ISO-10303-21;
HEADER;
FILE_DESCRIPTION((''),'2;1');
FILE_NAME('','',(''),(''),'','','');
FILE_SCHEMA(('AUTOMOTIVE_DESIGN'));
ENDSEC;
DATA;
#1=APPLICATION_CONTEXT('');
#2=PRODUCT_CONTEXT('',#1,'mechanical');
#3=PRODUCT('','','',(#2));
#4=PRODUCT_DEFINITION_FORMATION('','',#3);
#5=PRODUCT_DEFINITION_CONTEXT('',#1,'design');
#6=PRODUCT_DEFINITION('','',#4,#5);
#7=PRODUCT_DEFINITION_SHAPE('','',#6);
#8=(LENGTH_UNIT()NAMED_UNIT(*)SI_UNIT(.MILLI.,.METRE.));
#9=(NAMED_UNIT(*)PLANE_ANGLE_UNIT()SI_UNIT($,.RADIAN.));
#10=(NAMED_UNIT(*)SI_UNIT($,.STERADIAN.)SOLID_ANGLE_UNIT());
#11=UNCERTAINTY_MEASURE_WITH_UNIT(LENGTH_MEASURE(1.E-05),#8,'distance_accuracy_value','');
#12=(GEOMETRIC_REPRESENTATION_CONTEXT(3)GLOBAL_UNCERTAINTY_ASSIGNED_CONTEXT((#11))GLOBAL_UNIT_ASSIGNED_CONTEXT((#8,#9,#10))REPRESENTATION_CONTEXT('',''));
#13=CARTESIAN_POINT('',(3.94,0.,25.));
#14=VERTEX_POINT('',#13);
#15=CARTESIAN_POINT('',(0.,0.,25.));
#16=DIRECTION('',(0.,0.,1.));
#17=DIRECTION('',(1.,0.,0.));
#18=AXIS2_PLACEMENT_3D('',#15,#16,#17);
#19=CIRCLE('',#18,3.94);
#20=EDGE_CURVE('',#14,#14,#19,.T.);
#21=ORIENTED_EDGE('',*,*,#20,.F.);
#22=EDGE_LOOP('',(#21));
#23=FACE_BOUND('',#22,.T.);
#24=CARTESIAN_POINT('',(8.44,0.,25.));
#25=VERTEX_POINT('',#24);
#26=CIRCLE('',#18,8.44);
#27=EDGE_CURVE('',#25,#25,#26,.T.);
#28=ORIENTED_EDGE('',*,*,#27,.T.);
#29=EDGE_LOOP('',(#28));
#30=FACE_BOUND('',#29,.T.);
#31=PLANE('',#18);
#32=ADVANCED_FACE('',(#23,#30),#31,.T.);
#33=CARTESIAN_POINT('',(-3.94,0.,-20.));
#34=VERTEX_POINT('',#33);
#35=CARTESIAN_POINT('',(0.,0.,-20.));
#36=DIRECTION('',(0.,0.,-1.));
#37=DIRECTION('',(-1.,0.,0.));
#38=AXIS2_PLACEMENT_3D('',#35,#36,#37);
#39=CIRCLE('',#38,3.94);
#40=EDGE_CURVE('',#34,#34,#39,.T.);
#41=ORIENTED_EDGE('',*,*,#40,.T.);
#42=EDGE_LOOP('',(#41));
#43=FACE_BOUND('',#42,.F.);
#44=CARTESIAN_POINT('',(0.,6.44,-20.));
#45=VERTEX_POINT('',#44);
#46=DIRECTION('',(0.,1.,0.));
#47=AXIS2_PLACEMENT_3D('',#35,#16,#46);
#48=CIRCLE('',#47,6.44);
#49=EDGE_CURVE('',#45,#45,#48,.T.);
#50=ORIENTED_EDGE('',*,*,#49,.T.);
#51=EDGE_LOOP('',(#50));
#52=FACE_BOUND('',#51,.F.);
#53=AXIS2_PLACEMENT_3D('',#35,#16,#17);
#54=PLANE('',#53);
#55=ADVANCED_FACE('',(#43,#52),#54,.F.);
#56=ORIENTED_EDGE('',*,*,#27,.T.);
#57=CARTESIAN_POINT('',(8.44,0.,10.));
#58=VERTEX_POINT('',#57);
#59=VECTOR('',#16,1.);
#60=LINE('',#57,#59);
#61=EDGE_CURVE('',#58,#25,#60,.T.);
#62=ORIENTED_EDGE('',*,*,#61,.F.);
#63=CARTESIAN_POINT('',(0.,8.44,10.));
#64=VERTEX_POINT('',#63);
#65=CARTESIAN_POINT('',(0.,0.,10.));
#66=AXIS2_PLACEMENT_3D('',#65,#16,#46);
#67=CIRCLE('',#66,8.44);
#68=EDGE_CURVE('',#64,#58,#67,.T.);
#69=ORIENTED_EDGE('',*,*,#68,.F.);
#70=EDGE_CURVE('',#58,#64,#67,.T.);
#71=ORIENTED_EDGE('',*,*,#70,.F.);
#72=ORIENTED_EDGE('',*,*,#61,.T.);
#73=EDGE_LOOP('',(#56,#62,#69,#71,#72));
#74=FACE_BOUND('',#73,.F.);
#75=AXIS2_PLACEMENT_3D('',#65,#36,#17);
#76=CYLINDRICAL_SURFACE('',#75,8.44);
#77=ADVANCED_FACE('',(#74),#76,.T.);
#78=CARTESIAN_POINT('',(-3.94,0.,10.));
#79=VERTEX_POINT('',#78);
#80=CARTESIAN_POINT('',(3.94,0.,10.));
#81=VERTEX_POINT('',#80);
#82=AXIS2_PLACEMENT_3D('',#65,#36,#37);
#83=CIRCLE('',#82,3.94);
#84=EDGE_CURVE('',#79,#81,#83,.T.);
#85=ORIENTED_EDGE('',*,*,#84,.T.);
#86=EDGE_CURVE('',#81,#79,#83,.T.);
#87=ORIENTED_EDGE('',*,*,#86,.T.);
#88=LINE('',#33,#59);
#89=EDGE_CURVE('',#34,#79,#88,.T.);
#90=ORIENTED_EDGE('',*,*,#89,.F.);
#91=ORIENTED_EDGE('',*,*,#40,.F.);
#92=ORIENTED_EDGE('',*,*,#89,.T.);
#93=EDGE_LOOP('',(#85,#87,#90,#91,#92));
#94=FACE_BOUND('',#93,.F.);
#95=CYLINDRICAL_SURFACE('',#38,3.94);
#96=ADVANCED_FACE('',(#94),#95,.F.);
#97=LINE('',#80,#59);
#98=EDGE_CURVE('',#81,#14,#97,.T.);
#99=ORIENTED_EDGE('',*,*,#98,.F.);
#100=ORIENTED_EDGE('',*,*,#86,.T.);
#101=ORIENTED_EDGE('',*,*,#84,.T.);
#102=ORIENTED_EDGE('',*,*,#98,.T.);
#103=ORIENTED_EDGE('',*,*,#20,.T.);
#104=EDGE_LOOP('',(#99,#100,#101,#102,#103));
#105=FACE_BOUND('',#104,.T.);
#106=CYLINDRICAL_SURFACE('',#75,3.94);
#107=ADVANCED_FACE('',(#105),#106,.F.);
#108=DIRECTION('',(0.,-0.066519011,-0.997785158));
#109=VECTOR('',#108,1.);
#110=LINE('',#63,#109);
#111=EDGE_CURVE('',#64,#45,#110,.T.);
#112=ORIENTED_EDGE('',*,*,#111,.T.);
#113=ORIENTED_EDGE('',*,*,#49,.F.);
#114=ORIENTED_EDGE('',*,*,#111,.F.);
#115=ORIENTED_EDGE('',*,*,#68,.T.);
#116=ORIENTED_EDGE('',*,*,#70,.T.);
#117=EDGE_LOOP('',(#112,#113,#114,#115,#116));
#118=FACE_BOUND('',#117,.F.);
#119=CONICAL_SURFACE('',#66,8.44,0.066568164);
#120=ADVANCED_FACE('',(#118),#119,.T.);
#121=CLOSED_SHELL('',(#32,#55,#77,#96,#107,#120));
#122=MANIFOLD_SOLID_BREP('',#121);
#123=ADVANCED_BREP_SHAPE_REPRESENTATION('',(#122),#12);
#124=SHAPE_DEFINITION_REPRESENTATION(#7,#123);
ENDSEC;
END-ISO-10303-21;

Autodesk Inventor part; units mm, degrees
ref_plane "YZ Plane" through (0, 0, 0) normal (1, 0, 0) x (0, 1, 0)
ref_plane "XZ Plane" through (0, 0, 0) normal (0, 1, 0) x (-1, 0, 0)
ref_plane "XY Plane" through (0, 0, 0) normal (0, 0, 1) x (1, 0, 0)
sketch "Sketch1" plane through (0, 0, 0) normal (0, 0, 1) x (1, 0, 0)
  circle A0 centre (0, 0) radius 7.94 construction
  circle A1 centre (0, 0) radius 8.44
  point P0 (0, 0)
  dimension "d5" = 0.5
extrude "Extrusion1" add sketch "Sketch1" along normal blind 10 and the other way blind 20
sketch "Sketch2" plane through (0, 0, 0) normal (1, 0, 0) x (0, 1, 0)
  line L0 (-8.44, -20) -> (8.44, -20) construction
  line L1 (8.44, 10) -> (-8.44, 10) construction
  line L2 (8.44, 10) -> (8.44, -20)
  line L3 (8.44, 10) -> (6.44, -20)
  line L4 (8.44, -20) -> (6.44, -20)
  line L5 (0, -26) -> (0, 16) projected
  point P0 (0, 0)
  dimension "d6" = 2
revolve "Revolution1" cut sketch "Sketch2" angle 360 about axis through (0, 0, 10) along (0, 0, 1)
sketch "Sketch3" plane through (0, 0, -20) normal (0, 0, -1) x (-1, 0, 0)
  circle A0 centre (0, 0) radius 6.44 construction
  circle A1 centre (0, 0) radius 3.94
  dimension "d8" = 2.5
extrude "Extrusion2" cut sketch "Sketch3" against normal through all
sketch "Sketch4" plane through (0, 0, 10) normal (0, 0, 1) x (1, 0, 0)
  circle A0 centre (0, 0) radius 3.94 projected
  circle A1 centre (0, 0) radius 8.44 projected
extrude "Extrusion3" add sketch "Sketch4" along normal blind 15
properties part number "Vented_plug"
